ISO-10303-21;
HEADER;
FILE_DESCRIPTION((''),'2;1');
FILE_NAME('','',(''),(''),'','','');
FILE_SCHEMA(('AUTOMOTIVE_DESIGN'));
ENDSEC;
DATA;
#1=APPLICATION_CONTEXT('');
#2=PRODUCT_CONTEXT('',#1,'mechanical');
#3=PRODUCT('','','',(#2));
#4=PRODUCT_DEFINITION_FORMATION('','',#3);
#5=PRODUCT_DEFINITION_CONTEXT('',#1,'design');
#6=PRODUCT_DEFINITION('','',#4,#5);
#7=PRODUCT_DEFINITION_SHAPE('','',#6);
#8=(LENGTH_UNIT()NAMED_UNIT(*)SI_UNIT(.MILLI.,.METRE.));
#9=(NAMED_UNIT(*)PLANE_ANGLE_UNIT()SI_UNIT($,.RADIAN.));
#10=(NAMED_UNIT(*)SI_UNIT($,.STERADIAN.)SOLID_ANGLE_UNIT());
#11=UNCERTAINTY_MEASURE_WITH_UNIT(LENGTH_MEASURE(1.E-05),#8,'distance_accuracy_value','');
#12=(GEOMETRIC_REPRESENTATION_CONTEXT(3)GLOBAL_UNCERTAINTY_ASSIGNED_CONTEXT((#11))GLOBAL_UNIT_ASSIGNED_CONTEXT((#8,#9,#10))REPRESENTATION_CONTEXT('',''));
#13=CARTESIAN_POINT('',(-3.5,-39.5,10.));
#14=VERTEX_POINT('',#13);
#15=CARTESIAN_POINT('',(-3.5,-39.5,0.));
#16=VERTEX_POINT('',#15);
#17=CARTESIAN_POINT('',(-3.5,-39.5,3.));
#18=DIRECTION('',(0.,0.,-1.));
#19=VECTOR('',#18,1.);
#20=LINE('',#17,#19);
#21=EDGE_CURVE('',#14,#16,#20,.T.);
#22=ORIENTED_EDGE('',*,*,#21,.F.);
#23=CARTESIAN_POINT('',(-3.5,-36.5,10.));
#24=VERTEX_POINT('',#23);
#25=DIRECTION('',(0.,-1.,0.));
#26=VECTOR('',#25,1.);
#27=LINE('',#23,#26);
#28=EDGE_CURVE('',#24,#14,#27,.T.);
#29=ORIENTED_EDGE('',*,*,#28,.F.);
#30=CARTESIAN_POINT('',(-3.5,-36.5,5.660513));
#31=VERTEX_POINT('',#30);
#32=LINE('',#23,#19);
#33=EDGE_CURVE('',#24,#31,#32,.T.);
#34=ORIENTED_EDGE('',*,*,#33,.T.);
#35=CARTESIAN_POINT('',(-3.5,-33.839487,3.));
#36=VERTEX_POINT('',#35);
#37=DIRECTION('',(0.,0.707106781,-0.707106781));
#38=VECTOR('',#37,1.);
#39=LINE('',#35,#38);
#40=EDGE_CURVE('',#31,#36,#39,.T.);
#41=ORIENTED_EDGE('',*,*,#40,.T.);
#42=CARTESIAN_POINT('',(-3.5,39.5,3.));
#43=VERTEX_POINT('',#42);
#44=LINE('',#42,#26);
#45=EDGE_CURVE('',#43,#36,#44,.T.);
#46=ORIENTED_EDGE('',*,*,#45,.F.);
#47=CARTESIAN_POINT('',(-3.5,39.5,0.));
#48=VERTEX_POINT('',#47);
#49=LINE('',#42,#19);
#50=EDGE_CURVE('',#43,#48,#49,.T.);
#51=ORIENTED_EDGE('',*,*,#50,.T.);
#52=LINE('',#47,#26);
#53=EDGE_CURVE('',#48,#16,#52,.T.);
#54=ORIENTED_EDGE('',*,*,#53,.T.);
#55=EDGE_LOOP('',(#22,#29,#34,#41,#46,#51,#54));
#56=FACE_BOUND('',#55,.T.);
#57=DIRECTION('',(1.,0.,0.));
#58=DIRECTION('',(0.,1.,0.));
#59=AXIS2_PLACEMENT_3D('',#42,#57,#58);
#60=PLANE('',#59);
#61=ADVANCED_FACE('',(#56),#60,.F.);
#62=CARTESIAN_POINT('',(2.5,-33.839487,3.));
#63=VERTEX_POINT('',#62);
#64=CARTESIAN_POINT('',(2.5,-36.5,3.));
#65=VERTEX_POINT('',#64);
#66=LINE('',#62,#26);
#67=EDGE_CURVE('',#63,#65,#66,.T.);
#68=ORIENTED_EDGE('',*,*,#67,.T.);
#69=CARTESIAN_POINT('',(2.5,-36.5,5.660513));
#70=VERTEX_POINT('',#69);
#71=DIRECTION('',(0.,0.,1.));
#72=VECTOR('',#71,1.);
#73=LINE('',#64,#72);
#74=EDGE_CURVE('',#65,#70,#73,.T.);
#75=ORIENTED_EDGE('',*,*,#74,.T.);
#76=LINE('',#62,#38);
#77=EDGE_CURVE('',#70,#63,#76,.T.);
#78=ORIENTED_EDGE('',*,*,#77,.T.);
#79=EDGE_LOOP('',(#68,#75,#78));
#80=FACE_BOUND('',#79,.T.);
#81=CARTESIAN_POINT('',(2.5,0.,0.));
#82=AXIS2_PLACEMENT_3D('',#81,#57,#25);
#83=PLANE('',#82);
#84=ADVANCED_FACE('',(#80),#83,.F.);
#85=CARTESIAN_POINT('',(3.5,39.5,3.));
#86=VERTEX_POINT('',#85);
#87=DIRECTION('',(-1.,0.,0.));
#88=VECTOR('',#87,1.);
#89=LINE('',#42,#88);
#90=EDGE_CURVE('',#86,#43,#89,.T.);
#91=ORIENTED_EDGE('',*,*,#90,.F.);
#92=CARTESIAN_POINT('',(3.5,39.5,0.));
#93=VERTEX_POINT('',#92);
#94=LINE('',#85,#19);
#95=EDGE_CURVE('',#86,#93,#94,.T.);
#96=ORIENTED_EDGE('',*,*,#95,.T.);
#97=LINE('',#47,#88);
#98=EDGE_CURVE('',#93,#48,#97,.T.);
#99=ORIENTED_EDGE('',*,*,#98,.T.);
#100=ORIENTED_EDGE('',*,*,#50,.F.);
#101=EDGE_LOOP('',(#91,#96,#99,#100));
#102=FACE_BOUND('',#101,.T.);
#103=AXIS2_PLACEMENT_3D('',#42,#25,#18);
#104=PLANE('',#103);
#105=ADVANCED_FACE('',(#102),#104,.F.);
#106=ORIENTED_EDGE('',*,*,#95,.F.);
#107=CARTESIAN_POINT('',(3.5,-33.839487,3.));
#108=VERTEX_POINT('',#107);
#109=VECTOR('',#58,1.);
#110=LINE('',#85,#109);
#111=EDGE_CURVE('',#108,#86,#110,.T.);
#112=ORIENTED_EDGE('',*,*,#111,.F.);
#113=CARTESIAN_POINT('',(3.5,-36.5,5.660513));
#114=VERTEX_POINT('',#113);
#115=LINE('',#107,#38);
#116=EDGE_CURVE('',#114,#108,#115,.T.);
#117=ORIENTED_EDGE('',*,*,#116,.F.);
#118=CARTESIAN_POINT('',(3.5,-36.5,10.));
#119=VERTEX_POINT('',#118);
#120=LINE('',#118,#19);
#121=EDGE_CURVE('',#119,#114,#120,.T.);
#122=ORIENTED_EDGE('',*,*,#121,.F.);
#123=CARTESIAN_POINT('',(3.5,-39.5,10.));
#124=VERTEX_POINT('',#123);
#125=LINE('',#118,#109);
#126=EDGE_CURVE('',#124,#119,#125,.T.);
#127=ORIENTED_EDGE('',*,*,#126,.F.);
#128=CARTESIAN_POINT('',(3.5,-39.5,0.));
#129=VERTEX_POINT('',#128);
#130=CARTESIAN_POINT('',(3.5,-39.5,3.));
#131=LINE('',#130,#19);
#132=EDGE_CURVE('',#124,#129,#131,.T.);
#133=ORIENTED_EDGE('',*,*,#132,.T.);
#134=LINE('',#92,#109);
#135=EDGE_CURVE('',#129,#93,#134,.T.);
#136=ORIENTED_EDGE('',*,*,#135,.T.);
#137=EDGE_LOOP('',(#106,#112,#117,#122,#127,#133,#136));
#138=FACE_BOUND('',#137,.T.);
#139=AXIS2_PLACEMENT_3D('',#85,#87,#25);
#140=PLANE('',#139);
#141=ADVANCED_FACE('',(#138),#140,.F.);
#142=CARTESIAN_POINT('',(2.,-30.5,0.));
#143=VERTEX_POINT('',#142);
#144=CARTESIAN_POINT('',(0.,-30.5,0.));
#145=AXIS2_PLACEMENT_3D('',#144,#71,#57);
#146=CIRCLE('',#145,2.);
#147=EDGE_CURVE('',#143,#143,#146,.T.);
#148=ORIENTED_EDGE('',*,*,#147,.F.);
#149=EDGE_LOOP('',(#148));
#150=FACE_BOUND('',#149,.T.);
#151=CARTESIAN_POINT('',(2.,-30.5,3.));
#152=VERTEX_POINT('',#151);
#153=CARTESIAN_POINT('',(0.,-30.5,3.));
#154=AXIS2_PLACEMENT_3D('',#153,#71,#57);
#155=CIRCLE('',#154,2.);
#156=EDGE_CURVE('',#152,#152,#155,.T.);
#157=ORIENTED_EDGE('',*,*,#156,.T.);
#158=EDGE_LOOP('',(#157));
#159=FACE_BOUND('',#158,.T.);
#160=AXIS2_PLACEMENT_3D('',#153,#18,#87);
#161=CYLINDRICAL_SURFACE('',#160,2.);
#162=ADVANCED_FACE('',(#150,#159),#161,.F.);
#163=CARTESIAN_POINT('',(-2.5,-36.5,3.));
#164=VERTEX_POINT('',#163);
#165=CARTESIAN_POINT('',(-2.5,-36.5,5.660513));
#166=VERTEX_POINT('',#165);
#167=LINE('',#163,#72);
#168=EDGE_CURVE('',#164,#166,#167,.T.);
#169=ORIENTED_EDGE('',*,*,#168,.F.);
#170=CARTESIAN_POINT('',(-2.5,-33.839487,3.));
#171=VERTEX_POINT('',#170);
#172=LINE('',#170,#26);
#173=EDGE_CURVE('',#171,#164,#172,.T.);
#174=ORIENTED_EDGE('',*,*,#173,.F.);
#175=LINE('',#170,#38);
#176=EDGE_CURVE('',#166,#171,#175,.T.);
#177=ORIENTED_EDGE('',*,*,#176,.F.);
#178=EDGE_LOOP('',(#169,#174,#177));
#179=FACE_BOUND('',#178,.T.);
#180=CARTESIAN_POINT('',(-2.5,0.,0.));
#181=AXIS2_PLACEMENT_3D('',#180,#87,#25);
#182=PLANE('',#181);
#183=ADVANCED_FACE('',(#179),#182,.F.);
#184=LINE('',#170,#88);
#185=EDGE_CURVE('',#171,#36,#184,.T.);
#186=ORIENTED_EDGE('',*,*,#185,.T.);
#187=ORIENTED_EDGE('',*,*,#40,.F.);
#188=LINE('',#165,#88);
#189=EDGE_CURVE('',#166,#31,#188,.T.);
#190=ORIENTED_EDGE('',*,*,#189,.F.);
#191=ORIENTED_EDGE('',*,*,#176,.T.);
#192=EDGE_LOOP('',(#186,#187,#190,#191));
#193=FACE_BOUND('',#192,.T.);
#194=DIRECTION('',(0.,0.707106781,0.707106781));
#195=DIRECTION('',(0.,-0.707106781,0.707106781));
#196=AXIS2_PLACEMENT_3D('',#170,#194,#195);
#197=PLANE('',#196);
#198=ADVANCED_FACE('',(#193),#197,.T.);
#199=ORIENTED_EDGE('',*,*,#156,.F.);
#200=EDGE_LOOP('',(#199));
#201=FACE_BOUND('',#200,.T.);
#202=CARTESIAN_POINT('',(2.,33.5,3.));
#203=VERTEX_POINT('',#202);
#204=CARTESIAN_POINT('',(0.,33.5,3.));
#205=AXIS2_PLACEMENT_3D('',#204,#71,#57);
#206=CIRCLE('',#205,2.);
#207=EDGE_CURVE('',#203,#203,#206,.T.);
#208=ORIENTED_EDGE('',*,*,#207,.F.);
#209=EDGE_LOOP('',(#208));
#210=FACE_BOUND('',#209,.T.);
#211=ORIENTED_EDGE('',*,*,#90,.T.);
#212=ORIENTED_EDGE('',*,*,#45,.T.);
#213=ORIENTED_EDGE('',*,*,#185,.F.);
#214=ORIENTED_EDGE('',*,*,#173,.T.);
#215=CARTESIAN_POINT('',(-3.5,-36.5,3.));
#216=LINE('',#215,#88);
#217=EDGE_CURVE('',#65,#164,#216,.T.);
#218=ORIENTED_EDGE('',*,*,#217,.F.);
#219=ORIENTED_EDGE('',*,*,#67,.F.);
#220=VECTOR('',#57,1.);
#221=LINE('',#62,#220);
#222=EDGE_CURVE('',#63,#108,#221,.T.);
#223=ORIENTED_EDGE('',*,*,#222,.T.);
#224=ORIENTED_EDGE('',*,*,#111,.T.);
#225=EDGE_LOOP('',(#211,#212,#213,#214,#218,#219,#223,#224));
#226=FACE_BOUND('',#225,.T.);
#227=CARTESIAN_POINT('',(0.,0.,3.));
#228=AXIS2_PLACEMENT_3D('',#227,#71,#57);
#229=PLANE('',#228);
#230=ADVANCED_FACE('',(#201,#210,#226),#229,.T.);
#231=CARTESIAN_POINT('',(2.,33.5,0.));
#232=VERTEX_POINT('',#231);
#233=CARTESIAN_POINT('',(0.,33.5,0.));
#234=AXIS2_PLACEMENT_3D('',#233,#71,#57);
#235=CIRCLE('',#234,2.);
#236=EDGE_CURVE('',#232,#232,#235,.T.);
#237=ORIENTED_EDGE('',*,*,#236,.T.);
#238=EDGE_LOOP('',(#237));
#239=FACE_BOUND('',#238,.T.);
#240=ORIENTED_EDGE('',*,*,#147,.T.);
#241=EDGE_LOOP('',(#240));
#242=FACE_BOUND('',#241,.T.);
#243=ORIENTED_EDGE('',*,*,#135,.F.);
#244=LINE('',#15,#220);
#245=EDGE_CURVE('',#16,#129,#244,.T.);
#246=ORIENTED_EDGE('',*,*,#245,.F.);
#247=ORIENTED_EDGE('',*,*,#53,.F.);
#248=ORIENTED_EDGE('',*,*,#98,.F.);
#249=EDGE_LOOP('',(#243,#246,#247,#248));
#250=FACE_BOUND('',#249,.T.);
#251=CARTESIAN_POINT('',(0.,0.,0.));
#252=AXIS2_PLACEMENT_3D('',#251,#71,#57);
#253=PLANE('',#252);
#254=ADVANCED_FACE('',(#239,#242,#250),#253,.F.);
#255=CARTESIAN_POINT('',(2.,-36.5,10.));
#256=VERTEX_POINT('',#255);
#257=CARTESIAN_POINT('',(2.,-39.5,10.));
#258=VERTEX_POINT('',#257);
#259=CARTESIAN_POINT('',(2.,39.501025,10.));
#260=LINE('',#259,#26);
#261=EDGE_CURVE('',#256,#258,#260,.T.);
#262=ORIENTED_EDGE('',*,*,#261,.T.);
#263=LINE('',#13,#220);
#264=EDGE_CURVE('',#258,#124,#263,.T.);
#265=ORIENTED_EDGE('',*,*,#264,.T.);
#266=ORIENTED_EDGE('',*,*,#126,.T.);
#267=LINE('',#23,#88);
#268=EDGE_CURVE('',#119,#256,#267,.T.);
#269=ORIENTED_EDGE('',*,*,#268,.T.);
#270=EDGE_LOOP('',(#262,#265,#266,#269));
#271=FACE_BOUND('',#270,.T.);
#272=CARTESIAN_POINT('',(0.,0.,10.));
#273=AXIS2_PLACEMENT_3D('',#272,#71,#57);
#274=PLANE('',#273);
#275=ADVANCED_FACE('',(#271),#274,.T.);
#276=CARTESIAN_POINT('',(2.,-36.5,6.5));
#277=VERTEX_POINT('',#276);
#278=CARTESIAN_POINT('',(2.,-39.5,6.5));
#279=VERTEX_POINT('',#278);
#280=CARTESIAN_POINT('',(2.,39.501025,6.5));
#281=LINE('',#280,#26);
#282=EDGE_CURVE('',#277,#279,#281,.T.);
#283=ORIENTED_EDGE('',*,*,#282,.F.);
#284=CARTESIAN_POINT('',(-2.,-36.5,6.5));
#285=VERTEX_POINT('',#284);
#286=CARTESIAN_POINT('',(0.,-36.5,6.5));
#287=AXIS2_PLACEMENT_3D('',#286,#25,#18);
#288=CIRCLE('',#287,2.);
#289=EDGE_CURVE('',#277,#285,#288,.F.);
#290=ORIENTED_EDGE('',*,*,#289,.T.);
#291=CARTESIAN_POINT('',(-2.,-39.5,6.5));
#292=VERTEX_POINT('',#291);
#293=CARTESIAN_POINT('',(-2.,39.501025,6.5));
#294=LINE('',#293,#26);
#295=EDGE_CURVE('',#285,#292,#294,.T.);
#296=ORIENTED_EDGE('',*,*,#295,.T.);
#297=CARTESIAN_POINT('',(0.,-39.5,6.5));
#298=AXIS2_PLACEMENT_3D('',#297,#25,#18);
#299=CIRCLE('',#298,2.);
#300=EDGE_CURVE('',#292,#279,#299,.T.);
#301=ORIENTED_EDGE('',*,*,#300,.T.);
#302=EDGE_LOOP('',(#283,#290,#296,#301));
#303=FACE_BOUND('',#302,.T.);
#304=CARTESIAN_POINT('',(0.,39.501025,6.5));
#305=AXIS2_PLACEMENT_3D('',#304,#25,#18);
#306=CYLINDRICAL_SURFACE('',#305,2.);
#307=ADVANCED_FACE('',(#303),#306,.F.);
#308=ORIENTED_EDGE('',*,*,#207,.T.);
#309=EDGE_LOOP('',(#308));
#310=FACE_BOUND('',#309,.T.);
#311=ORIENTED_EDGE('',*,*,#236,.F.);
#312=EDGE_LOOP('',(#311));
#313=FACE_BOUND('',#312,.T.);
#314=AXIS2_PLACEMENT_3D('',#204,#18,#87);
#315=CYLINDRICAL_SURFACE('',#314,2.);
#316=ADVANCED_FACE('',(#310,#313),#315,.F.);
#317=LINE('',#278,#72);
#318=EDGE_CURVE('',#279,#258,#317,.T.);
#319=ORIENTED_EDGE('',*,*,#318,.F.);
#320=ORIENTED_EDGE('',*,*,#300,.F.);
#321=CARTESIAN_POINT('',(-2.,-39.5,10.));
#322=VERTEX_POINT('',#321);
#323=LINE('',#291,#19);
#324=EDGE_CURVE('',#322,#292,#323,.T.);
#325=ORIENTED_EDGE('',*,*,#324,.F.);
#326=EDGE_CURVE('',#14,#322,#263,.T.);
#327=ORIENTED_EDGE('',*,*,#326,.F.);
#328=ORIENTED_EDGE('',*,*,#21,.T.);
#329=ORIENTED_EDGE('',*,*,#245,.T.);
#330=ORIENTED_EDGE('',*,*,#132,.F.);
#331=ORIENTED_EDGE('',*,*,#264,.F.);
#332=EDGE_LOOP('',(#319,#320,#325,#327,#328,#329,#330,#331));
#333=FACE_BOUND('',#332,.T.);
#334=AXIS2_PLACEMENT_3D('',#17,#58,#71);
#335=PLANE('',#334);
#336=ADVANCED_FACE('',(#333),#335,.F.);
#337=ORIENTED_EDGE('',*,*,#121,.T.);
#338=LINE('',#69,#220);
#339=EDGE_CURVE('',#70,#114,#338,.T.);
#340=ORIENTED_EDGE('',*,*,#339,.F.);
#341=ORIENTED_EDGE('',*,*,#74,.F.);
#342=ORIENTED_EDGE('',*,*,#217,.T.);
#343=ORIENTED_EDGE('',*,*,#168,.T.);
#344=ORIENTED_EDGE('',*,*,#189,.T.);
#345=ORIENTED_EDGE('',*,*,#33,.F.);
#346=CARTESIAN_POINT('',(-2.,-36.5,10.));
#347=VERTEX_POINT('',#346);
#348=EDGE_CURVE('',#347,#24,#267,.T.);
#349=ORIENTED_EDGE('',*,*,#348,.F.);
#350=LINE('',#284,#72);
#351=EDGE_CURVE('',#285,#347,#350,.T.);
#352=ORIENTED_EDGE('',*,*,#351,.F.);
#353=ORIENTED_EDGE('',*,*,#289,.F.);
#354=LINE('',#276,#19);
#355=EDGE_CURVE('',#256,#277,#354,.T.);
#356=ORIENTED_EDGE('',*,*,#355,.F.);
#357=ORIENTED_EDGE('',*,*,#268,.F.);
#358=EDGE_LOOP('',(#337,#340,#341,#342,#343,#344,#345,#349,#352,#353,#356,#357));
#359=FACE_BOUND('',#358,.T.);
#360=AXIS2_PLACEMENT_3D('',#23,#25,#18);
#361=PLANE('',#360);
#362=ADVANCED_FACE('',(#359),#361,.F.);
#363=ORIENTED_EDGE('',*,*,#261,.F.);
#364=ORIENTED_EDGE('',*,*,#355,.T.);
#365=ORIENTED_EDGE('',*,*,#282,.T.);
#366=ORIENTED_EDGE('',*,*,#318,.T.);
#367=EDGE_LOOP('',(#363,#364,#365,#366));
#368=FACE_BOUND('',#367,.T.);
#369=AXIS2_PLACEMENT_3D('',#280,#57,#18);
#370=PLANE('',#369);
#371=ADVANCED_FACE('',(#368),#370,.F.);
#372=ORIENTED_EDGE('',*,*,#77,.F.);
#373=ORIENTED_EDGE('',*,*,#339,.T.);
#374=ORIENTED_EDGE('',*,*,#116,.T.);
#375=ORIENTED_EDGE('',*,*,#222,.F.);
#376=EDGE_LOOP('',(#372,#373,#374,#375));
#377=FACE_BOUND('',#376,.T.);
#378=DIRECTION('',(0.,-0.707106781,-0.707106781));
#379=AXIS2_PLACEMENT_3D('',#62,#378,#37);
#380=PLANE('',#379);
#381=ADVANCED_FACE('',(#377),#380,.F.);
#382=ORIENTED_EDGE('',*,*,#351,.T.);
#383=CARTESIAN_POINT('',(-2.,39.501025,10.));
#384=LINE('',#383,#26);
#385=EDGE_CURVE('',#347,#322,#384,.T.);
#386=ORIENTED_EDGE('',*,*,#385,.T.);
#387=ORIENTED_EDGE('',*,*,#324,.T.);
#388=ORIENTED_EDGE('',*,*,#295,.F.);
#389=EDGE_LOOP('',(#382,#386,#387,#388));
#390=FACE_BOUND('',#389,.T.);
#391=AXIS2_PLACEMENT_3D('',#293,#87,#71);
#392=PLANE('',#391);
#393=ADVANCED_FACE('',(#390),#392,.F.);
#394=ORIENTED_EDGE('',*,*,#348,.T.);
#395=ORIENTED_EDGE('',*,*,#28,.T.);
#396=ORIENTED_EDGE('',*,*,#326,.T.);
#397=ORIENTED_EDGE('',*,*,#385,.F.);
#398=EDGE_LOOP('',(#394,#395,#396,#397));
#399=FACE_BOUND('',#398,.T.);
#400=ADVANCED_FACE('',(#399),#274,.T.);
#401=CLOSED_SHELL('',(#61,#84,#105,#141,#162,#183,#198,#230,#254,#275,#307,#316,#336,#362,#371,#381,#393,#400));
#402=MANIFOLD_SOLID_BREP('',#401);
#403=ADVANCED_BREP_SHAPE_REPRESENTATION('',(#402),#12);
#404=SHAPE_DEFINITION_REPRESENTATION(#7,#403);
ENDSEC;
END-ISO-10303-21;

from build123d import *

# Parameters (mm, degrees)
SKETCH1_W           = 7
SKETCH1_H           = 79
SKETCH1_R           = 2
BOSS_EXTRUDE1_DEPTH = 3
SKETCH2_W           = 7
SKETCH2_H           = 3
BOSS_EXTRUDE2_DEPTH = 7
CUT_EXTRUDE1_REACH  = 81.707
BOSS_EXTRUDE3_DEPTH = 1


with BuildPart() as part:
    # Sketch1 → Boss-Extrude1 (new body)
    with BuildSketch(Plane.XY):
        Rectangle(SKETCH1_W, SKETCH1_H)
        with Locations((0, -30.5)):
            Circle(SKETCH1_R, mode=Mode.SUBTRACT)
        with Locations((0, 33.5)):
            Circle(SKETCH1_R, mode=Mode.SUBTRACT)
    extrude(amount=BOSS_EXTRUDE1_DEPTH)

    # Sketch2 → Boss-Extrude2 (add)
    with BuildSketch(Plane.XY.offset(3)):
        with Locations((0, -38)):
            Rectangle(SKETCH2_W, SKETCH2_H)
    extrude(amount=BOSS_EXTRUDE2_DEPTH)

    # Sketch3 → Cut-Extrude1 (cut, up to next)
    with BuildSketch(Plane.XZ.offset(39.5), mode=Mode.PRIVATE) as cut_extrude1_sk1:
        with BuildLine():
            Line((-2, 6.5), (-2, 10))
            Line((-2, 10), (2, 10))
            Line((2, 10), (2, 6.5))
            ThreePointArc((2, 6.5), (0, 4.5), (-2, 6.5))
        make_face()
    cut_extrude1_tool1 = extrude(cut_extrude1_sk1.sketch, amount=-CUT_EXTRUDE1_REACH, mode=Mode.PRIVATE) & part.part
    add(cut_extrude1_tool1.solids().sort_by_distance((0, -39.5, 7.444953))[0], mode=Mode.SUBTRACT)

    # Sketch4 → Boss-Extrude3 (add)
    with BuildSketch(Plane.ZY.offset(3.5)):
        Polygon((3, -33.839487464), (5.660512536, -36.5), (3, -36.5), align=None)
    boss_extrude3 = extrude(amount=-BOSS_EXTRUDE3_DEPTH)

    # Mirror1: Boss-Extrude3 across plane
    add(boss_extrude3.mirror(Plane.ZY))


solid = part.part
